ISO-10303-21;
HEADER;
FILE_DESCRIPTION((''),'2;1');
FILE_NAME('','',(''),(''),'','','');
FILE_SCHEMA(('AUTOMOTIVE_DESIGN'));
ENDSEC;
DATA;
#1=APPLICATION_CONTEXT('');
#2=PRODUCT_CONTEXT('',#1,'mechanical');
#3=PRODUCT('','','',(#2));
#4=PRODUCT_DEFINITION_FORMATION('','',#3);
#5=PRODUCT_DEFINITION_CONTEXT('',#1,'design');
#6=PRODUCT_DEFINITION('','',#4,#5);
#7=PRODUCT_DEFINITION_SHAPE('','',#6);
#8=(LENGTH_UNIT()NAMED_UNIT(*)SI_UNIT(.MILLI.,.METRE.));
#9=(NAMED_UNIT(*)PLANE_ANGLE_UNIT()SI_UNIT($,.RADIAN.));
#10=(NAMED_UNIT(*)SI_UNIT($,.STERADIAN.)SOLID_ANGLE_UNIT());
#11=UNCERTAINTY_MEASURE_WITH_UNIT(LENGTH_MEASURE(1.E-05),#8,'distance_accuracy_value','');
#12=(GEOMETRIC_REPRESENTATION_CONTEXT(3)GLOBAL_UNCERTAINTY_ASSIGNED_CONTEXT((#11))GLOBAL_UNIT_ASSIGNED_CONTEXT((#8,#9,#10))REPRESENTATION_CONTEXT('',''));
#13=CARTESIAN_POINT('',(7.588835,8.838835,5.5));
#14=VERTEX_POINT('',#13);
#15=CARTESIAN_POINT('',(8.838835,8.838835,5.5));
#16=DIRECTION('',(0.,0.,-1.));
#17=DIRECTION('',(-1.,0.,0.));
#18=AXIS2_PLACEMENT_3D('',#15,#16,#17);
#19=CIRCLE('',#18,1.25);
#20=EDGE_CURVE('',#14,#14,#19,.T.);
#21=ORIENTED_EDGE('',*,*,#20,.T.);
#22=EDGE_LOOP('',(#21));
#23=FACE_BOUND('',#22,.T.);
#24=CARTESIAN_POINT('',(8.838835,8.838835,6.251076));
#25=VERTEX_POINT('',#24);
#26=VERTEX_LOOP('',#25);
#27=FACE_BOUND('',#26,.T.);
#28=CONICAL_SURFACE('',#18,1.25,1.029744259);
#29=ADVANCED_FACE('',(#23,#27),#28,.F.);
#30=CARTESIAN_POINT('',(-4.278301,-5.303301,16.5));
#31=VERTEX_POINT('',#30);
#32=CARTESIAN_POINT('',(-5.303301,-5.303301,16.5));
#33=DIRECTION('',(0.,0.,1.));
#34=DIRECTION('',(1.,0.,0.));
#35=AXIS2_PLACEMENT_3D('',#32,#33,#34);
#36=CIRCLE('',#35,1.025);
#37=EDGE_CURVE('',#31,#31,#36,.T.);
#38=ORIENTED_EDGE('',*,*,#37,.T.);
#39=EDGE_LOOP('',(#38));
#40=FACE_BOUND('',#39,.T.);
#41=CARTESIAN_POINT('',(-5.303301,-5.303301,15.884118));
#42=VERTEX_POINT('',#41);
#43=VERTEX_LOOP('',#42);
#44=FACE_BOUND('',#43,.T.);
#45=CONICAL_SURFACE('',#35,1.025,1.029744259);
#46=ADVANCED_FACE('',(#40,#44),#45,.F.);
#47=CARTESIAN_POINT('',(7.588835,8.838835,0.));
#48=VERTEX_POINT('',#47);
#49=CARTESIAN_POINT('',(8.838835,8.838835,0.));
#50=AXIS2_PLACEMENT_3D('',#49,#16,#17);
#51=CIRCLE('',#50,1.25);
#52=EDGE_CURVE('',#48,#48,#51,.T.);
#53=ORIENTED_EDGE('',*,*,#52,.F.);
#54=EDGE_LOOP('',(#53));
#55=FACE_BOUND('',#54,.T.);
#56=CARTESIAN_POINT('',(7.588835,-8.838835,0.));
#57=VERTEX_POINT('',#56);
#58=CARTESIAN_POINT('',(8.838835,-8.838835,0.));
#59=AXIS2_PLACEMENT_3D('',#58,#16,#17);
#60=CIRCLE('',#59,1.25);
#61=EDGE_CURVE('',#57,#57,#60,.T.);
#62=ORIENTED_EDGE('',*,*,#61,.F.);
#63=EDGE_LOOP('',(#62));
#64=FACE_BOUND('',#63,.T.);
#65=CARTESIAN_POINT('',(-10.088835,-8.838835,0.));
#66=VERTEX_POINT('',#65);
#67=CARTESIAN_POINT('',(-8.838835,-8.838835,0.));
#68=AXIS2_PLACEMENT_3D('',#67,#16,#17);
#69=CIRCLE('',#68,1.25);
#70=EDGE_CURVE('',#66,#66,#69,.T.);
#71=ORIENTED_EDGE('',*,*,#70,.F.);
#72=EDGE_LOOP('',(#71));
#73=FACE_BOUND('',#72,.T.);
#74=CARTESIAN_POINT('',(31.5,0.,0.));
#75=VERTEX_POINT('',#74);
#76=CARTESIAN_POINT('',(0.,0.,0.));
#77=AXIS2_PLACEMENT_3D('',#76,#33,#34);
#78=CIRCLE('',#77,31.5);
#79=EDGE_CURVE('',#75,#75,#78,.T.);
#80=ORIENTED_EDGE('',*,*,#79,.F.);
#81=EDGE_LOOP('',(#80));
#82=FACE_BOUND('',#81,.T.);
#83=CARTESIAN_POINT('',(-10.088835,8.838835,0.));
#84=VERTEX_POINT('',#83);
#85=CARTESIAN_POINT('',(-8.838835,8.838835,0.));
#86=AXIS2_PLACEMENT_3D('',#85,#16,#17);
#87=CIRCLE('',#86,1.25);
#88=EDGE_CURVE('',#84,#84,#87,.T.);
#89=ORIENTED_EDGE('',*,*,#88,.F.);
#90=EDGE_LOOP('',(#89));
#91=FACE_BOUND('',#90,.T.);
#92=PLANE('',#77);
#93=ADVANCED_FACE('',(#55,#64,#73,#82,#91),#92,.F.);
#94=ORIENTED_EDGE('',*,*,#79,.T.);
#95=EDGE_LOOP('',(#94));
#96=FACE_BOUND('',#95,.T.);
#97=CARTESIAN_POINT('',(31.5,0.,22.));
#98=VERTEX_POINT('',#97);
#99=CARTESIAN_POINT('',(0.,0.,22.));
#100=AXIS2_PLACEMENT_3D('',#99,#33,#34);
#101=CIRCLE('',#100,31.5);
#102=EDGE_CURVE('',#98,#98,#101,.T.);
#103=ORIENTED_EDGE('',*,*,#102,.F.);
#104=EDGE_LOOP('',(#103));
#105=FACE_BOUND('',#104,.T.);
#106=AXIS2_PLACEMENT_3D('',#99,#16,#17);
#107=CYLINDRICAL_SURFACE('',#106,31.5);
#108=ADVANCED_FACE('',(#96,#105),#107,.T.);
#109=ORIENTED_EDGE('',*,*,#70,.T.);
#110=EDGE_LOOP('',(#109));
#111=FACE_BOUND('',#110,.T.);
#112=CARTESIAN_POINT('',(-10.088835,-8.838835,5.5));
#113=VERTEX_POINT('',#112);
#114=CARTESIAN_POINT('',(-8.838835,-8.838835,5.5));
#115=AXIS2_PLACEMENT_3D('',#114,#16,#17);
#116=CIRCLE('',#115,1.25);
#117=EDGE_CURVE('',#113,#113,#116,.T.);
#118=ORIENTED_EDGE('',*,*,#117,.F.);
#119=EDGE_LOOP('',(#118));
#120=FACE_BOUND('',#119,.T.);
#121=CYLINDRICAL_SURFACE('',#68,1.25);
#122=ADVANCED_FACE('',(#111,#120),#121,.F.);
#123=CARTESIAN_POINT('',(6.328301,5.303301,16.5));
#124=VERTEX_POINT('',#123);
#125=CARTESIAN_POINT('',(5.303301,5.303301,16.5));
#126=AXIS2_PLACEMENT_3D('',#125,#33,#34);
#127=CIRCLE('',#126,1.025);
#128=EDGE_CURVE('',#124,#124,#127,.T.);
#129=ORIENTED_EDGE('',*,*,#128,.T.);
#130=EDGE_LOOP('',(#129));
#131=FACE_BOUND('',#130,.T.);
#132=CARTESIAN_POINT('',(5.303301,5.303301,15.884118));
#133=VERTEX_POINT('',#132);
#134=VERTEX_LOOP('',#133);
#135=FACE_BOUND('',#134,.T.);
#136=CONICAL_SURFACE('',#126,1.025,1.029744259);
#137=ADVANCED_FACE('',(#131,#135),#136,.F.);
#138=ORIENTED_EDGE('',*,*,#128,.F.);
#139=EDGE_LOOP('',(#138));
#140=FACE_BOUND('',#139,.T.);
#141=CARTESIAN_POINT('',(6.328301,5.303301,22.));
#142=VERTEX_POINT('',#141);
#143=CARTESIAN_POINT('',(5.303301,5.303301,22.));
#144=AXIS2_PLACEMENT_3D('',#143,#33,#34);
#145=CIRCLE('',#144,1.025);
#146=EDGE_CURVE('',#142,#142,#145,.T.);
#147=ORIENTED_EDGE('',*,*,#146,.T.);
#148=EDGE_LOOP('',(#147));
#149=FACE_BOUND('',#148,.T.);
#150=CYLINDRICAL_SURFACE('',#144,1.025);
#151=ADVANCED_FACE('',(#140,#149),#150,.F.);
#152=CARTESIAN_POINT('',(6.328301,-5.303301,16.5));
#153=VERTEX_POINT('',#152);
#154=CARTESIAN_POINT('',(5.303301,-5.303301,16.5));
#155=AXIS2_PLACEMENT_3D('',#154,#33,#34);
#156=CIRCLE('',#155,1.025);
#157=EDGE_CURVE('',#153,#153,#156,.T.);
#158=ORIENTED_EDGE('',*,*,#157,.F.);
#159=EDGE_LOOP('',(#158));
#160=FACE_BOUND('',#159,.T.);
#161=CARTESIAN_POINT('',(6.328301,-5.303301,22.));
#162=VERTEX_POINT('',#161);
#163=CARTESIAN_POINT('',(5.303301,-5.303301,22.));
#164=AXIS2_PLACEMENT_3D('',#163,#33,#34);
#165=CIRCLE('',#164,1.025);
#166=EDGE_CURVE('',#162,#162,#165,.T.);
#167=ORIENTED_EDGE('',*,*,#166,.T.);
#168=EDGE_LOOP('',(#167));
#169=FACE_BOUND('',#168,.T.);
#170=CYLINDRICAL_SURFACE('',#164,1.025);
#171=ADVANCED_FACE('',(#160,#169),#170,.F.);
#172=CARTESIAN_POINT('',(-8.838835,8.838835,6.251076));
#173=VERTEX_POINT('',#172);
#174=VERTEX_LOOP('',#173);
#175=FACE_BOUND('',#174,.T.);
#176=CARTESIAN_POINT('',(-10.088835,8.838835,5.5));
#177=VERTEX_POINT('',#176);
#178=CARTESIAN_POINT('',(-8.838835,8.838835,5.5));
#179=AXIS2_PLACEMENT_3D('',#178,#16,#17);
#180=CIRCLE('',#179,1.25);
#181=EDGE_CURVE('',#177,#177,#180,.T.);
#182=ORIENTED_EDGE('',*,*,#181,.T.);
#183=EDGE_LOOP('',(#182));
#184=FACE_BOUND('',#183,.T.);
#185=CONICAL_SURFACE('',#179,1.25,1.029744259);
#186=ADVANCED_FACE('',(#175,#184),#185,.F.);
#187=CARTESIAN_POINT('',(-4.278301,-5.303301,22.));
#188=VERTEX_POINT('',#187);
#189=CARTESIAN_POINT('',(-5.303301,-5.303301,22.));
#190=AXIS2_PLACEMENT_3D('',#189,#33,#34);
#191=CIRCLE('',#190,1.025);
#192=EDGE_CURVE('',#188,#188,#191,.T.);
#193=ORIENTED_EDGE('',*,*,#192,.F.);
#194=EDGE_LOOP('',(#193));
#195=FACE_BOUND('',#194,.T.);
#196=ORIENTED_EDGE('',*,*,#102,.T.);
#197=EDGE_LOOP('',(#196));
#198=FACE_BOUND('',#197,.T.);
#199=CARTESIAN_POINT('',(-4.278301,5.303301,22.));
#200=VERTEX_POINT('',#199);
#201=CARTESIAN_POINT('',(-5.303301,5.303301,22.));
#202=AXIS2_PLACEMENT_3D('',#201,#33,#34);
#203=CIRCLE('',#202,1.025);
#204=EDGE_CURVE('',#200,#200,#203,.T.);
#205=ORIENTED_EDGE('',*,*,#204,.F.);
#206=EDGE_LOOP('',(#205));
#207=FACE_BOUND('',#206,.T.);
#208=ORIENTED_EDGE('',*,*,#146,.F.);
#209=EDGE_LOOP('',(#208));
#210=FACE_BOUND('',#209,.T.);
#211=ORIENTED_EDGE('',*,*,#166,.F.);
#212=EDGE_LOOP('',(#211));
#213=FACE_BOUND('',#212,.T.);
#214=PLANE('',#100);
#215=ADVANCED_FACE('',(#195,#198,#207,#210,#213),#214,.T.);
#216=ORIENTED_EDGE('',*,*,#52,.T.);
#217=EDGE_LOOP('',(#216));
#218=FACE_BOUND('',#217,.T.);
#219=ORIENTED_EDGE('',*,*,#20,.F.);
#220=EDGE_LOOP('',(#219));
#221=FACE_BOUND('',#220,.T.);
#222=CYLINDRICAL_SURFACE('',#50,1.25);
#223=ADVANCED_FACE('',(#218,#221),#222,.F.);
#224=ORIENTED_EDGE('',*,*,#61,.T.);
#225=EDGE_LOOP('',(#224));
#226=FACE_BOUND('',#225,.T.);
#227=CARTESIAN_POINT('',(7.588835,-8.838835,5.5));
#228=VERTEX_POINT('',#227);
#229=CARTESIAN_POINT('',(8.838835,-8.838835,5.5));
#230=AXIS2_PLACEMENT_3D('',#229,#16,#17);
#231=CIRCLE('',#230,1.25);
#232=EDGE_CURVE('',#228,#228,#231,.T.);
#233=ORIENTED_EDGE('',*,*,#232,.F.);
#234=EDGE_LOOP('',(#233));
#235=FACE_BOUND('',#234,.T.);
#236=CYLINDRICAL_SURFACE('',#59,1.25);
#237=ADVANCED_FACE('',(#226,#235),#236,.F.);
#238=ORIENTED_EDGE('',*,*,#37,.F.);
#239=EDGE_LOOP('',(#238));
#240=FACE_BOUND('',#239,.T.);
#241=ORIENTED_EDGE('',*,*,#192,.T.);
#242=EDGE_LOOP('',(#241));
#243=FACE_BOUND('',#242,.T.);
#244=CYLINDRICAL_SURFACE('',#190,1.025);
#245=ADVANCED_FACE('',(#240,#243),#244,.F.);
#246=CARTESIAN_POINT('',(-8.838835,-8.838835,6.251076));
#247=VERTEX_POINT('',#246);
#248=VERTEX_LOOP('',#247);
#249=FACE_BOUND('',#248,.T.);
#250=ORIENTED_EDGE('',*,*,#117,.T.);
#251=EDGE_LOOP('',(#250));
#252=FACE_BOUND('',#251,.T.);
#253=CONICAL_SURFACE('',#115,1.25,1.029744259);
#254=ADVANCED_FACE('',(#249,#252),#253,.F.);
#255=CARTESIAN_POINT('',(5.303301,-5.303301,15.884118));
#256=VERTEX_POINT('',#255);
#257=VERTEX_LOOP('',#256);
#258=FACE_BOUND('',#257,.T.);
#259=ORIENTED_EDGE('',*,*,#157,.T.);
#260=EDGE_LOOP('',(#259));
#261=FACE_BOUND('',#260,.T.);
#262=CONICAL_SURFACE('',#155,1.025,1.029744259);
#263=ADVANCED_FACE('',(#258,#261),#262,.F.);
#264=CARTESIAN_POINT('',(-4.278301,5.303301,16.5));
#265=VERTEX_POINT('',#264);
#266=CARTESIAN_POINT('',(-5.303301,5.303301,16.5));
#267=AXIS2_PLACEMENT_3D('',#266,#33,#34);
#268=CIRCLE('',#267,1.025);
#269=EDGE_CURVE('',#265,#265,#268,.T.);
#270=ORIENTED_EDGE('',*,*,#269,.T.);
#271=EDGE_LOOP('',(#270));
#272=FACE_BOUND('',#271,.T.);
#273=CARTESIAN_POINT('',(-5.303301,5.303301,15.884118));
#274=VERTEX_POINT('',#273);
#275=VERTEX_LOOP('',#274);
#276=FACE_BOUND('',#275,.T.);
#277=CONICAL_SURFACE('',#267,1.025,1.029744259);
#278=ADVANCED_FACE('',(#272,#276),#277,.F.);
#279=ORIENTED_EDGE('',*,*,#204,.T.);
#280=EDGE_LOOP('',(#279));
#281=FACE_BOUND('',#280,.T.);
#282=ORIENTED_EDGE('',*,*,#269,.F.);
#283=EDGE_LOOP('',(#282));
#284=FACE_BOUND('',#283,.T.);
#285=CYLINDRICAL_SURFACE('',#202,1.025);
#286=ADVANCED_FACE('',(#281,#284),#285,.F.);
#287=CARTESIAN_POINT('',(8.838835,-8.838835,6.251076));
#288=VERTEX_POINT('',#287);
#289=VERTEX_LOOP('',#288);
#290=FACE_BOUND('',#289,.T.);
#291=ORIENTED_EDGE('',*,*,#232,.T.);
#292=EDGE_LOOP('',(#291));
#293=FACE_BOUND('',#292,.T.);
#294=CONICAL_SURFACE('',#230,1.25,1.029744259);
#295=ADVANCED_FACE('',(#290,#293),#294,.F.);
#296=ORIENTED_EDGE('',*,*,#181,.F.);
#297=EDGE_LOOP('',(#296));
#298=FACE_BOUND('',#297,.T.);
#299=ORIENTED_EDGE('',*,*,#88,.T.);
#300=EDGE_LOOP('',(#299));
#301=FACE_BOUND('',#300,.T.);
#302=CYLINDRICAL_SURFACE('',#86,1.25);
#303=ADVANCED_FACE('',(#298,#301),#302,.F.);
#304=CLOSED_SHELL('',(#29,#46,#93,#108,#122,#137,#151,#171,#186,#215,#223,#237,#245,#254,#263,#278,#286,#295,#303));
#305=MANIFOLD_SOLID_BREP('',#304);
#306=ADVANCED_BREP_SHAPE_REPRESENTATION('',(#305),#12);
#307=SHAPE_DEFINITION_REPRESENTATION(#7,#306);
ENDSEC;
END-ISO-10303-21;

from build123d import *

# Parameters (mm, degrees)
SKETCH1_R                          = 31.5
BOSS_EXTRUDE1_DEPTH                = 22
TAP_DRILL_FOR_M2_5X0_45_TAP1_D     = 2.05
TAP_DRILL_FOR_M2_5X0_45_TAP1_DEPTH = 5.5
TAP_DRILL_FOR_M2_5X0_45_TAP1_TIP   = 0.615882135
TAP_DRILL_FOR_M3X0_5_TAP1_D        = 2.5
TAP_DRILL_FOR_M3X0_5_TAP1_DEPTH    = 5.5
TAP_DRILL_FOR_M3X0_5_TAP1_TIP      = 0.751075774


with BuildPart() as part:
    # Sketch1 → Boss-Extrude1 (new body)
    with BuildSketch(Plane.XY):
        Circle(SKETCH1_R)
    extrude(amount=BOSS_EXTRUDE1_DEPTH)

    # Tap Drill for M2.5x0.45 Tap1
    with Locations(Plane.XY.offset(22)):
        with Locations((-5.303300859, 5.303300859), (5.303300859, -5.303300859), (5.303300859, 5.303300859), (-5.303300859, -5.303300859)):
            Hole(TAP_DRILL_FOR_M2_5X0_45_TAP1_D / 2, depth=TAP_DRILL_FOR_M2_5X0_45_TAP1_DEPTH)
            with Locations((0, 0, -(TAP_DRILL_FOR_M2_5X0_45_TAP1_DEPTH + TAP_DRILL_FOR_M2_5X0_45_TAP1_TIP / 2))):  # 118° drill point
                Cone(0, TAP_DRILL_FOR_M2_5X0_45_TAP1_D / 2, TAP_DRILL_FOR_M2_5X0_45_TAP1_TIP, mode=Mode.SUBTRACT)

    # Tap Drill for M3x0.5 Tap1
    with Locations(Plane(origin=(0, 0, 0), x_dir=(-1, 0, 0), z_dir=(0, 0, -1))):
        with Locations((8.838834765, 8.838834765), (8.838834765, -8.838834765), (-8.838834765, 8.838834765), (-8.838834765, -8.838834765)):
            Hole(TAP_DRILL_FOR_M3X0_5_TAP1_D / 2, depth=TAP_DRILL_FOR_M3X0_5_TAP1_DEPTH)
            with Locations((0, 0, -(TAP_DRILL_FOR_M3X0_5_TAP1_DEPTH + TAP_DRILL_FOR_M3X0_5_TAP1_TIP / 2))):  # 118° drill point
                Cone(0, TAP_DRILL_FOR_M3X0_5_TAP1_D / 2, TAP_DRILL_FOR_M3X0_5_TAP1_TIP, mode=Mode.SUBTRACT)


solid = part.part
